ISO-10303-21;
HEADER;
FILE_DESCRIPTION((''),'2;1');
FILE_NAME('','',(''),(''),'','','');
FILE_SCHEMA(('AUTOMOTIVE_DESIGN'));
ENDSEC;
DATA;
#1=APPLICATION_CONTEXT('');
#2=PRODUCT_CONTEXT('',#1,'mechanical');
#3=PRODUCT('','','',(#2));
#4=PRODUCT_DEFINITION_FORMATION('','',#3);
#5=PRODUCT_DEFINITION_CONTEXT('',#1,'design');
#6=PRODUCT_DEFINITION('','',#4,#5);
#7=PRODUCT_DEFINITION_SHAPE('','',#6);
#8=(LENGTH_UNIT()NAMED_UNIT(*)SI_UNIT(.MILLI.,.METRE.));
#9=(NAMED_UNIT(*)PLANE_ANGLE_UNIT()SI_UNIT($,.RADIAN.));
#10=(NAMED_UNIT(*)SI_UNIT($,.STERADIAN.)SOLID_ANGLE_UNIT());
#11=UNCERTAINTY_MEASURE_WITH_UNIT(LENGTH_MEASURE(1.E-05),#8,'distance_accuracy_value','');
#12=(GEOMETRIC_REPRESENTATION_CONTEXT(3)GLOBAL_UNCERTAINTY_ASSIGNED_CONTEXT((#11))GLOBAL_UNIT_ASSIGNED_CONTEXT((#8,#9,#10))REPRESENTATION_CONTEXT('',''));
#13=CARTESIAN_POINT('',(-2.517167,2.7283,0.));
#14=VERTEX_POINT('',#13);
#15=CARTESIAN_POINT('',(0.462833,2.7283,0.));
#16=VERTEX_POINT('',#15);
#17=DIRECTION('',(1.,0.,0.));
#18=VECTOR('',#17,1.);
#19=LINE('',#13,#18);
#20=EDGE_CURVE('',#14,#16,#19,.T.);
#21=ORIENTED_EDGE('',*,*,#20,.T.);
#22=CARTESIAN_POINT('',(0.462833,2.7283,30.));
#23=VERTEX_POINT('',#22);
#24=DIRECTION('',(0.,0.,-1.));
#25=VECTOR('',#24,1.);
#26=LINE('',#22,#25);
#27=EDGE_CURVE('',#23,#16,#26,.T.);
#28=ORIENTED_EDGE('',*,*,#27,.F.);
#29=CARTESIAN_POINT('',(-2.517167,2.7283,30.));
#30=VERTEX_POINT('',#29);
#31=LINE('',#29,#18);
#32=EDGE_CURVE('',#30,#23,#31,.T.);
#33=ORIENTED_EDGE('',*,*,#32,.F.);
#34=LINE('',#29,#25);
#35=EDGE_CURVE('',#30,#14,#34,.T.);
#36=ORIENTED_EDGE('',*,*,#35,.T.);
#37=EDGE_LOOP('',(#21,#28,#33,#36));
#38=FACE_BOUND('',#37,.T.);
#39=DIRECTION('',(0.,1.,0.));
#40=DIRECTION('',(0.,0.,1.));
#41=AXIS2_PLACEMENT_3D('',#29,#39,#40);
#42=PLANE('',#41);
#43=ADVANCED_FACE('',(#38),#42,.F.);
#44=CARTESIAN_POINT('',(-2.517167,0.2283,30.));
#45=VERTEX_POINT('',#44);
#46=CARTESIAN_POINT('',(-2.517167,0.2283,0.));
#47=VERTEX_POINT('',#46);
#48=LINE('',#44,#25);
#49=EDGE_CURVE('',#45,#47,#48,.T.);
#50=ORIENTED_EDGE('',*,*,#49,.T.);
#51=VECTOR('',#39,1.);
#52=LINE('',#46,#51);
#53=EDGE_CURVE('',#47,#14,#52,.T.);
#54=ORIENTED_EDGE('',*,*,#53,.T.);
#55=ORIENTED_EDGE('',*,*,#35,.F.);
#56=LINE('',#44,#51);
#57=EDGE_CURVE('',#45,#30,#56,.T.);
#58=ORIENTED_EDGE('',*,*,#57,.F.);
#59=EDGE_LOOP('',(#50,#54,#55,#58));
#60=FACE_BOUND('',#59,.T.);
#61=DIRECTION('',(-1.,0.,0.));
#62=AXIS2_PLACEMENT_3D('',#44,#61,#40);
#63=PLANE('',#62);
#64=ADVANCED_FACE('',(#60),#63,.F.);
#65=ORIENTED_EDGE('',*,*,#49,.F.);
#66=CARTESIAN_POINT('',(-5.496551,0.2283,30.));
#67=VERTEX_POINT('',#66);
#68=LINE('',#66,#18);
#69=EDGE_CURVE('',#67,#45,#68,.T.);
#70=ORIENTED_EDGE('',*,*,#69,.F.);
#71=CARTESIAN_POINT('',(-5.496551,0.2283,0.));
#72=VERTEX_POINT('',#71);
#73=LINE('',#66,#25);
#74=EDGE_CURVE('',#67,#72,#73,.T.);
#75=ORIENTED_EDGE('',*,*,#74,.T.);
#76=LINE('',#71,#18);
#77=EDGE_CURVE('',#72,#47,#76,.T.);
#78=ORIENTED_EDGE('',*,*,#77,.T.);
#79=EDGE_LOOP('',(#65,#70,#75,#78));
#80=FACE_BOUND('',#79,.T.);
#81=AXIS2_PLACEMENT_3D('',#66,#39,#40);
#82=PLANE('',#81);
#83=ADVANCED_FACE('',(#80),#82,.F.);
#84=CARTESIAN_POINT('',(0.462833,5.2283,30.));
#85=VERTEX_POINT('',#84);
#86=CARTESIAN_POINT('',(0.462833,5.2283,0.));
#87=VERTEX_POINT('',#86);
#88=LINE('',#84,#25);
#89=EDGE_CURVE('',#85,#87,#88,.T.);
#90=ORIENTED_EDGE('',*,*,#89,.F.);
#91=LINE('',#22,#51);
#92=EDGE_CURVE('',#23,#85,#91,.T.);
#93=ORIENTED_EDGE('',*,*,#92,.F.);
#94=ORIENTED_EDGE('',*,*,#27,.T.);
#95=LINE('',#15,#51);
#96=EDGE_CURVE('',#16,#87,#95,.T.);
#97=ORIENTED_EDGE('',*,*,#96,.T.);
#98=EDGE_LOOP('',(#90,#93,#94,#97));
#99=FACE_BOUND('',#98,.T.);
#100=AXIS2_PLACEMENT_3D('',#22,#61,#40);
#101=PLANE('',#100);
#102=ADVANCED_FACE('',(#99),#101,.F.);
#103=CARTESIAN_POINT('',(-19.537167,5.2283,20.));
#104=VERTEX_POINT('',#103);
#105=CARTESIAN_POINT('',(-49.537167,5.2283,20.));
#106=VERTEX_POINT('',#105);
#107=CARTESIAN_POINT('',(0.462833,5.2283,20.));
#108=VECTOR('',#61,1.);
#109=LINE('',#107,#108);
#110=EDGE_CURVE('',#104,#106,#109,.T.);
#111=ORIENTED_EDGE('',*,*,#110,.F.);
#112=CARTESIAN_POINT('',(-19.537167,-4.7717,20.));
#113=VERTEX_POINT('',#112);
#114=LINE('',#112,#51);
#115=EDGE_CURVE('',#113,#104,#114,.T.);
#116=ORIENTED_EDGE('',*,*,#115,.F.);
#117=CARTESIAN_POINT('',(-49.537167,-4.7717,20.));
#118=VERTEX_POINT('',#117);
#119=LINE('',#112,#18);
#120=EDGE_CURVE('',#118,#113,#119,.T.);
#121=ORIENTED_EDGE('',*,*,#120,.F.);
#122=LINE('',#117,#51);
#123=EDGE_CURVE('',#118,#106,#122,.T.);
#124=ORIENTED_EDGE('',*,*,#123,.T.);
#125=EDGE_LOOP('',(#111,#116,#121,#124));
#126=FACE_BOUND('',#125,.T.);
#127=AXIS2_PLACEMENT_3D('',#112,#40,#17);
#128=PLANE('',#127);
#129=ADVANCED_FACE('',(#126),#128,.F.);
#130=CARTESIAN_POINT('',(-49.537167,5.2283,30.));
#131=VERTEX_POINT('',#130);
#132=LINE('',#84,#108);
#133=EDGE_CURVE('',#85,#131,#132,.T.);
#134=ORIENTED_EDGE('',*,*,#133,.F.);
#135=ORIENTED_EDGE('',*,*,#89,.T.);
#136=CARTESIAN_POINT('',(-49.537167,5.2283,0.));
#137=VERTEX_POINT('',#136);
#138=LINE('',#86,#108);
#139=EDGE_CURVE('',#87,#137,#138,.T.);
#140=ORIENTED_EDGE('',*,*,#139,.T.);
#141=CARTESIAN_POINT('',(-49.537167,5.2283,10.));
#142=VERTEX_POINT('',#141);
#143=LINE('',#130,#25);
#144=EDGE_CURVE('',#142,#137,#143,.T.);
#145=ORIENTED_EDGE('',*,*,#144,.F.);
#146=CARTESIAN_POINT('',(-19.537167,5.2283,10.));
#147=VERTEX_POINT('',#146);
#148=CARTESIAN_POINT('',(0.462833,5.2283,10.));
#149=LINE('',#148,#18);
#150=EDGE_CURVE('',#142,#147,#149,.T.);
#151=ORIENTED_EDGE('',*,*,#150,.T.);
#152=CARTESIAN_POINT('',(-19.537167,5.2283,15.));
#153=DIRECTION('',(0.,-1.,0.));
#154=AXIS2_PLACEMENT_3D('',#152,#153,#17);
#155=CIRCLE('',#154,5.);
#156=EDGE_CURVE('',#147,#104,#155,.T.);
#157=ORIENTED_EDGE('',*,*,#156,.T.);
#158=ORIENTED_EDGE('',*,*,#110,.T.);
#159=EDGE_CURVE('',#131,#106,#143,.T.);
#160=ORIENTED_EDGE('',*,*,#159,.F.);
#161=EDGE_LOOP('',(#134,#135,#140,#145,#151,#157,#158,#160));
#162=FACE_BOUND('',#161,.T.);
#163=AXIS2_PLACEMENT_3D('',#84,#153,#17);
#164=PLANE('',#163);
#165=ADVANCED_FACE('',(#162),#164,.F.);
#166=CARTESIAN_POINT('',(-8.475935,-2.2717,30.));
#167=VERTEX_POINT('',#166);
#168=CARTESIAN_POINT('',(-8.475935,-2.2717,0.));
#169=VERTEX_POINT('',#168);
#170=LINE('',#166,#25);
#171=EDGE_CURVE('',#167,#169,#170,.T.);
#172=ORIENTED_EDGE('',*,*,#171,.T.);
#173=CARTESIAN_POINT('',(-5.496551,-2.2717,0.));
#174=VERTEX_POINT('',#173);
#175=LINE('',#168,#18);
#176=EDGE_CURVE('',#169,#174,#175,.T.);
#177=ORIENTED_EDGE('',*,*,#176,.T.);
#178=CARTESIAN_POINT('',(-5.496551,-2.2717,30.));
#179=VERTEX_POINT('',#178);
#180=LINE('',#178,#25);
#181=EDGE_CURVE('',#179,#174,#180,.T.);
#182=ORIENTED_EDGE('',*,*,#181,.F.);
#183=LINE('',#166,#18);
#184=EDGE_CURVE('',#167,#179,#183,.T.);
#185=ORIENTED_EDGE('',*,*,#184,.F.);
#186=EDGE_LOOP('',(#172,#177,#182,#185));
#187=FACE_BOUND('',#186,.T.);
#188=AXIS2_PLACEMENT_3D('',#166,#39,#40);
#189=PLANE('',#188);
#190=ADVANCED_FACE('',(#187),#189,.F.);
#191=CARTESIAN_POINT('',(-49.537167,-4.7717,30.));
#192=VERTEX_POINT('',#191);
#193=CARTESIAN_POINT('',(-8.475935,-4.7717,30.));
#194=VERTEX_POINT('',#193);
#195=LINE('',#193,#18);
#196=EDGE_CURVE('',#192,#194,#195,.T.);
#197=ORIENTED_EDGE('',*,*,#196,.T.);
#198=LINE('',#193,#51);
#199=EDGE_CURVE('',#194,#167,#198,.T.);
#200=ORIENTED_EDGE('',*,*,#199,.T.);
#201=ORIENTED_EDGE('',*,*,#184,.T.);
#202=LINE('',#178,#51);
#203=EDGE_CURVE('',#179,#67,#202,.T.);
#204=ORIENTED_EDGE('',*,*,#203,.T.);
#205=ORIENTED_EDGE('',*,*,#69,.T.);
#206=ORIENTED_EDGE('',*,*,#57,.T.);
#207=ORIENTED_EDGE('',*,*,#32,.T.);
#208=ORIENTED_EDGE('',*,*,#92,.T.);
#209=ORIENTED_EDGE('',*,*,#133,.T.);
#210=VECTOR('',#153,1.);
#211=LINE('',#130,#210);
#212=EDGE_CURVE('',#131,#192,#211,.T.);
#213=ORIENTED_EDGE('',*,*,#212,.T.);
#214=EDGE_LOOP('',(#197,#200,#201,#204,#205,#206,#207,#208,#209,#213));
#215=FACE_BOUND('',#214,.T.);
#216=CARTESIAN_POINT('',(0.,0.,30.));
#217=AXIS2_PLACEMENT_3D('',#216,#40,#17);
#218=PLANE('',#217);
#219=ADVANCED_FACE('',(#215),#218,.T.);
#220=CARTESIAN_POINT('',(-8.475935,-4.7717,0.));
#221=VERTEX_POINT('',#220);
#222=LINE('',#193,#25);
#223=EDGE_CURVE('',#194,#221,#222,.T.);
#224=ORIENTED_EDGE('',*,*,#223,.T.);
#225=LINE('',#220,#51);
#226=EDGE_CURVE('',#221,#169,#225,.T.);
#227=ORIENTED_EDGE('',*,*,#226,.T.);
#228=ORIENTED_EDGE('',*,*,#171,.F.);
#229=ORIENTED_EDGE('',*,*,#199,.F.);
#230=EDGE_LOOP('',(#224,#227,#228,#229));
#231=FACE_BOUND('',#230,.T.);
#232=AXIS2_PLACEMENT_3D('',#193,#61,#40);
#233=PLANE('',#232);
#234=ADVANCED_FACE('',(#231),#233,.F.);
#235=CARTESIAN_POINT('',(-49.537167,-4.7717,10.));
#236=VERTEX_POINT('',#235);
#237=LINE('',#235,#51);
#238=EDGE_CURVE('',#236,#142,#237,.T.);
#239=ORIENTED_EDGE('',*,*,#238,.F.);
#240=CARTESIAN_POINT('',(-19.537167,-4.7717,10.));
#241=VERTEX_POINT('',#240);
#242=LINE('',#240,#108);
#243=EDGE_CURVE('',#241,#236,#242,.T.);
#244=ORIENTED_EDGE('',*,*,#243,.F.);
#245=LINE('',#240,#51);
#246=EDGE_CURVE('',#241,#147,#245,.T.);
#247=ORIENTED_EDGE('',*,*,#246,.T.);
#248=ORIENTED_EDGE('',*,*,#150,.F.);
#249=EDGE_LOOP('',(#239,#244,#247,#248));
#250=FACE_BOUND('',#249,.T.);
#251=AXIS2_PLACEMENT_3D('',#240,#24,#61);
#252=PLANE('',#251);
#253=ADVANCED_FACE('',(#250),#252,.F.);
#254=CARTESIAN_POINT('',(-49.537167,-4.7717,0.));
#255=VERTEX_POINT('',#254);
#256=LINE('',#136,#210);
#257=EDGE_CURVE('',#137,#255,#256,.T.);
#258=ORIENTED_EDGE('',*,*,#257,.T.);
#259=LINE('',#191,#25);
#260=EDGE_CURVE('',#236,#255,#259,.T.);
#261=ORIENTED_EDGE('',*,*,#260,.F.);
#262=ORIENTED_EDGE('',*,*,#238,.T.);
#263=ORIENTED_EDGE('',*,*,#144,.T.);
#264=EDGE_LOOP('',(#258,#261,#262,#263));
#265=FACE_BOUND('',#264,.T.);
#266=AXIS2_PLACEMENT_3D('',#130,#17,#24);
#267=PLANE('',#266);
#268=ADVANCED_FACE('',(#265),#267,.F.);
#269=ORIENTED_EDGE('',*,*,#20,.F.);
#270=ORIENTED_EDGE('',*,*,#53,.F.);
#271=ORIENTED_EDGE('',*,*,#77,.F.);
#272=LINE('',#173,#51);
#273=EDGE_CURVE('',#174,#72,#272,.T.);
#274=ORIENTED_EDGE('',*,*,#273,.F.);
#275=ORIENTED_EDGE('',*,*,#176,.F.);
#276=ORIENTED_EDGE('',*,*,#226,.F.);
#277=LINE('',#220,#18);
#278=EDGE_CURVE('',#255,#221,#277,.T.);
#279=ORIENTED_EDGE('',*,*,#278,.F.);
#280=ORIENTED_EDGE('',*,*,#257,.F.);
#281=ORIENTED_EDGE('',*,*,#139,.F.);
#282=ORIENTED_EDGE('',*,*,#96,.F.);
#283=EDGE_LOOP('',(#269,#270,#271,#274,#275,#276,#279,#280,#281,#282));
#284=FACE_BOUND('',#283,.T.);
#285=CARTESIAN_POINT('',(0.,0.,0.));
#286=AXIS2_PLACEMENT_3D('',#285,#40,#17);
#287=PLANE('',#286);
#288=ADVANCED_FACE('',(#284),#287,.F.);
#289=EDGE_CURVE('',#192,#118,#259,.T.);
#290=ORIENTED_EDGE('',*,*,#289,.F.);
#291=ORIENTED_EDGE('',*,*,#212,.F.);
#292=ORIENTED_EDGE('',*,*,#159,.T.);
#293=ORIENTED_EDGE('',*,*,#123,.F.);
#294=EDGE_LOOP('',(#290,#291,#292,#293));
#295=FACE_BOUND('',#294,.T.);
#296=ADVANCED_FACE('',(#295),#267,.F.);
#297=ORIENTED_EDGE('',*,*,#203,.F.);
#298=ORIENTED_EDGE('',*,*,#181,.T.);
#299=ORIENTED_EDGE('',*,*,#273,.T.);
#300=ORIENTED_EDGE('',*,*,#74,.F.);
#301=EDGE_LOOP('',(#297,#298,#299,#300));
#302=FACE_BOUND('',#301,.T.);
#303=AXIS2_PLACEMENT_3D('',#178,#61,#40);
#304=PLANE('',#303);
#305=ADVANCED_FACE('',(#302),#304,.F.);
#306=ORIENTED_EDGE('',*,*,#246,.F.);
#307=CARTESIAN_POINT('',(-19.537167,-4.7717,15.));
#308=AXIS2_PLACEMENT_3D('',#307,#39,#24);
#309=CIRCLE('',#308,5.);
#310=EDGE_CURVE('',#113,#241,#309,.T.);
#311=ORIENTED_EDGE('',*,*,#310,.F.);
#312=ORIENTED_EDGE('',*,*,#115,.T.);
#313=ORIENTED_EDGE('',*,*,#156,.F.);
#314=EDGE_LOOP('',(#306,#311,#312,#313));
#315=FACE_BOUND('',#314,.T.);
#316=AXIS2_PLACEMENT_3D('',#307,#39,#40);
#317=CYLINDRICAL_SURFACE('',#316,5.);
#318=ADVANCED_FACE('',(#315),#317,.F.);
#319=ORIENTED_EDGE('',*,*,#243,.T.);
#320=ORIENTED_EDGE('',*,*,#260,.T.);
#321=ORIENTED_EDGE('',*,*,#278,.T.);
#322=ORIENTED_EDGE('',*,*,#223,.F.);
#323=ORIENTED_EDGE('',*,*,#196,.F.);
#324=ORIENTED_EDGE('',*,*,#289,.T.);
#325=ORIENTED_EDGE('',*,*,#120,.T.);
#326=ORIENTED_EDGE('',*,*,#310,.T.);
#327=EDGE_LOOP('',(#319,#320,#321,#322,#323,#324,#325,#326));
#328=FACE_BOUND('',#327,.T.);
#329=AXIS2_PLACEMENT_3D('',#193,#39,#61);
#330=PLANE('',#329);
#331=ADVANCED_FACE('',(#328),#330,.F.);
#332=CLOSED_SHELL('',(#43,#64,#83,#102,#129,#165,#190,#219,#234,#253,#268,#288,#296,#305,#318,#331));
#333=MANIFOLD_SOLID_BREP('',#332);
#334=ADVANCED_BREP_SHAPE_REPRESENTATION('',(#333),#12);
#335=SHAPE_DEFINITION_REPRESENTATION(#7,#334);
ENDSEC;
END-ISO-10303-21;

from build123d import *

# Parameters (mm, degrees)
BOSS_EXTRU_1_DEPTH      = 30
ENL_V_MAT_EXTRU_1_DEPTH = 11


with BuildPart() as part:
    # Esquisse1 → Boss.-Extru.1 (new body)
    with BuildSketch(Plane.XY):
        Polygon((-8.475934619, -4.771699816), (-8.475934619, -2.271699816), (-5.496550637, -2.271699816), (-5.496550637, 0.228300184), (-2.517166656, 0.228300184), (-2.517166656, 2.728300184), (0.462833344, 2.728300184), (0.462833344, 5.228300184), (-49.537166656, 5.228300184), (-49.537166656, -4.771699816), align=None)
    extrude(amount=BOSS_EXTRU_1_DEPTH)

    # Esquisse2 → Enlèv. mat.-Extru.1 (cut, through all)
    with BuildSketch(Plane.XZ.offset(4.771699816)):
        with BuildLine():
            Line((-167.240462798, 10), (-49.537166656, 10))
            Line((-49.537166656, 10), (-19.537166656, 10))
            ThreePointArc((-19.537166656, 10), (-14.537166656, 15), (-19.537166656, 20))
            Line((-19.537166656, 20), (-49.537166656, 20))
            Line((-49.537166656, 20), (-167.240462798, 20))
            Line((-167.240462798, 20), (-402.647055084, 20))
            Line((-402.647055084, 20), (-402.647055084, 10))
            Line((-402.647055084, 10), (-167.240462798, 10))
        make_face()
    extrude(amount=-ENL_V_MAT_EXTRU_1_DEPTH, mode=Mode.SUBTRACT)


solid = part.part
